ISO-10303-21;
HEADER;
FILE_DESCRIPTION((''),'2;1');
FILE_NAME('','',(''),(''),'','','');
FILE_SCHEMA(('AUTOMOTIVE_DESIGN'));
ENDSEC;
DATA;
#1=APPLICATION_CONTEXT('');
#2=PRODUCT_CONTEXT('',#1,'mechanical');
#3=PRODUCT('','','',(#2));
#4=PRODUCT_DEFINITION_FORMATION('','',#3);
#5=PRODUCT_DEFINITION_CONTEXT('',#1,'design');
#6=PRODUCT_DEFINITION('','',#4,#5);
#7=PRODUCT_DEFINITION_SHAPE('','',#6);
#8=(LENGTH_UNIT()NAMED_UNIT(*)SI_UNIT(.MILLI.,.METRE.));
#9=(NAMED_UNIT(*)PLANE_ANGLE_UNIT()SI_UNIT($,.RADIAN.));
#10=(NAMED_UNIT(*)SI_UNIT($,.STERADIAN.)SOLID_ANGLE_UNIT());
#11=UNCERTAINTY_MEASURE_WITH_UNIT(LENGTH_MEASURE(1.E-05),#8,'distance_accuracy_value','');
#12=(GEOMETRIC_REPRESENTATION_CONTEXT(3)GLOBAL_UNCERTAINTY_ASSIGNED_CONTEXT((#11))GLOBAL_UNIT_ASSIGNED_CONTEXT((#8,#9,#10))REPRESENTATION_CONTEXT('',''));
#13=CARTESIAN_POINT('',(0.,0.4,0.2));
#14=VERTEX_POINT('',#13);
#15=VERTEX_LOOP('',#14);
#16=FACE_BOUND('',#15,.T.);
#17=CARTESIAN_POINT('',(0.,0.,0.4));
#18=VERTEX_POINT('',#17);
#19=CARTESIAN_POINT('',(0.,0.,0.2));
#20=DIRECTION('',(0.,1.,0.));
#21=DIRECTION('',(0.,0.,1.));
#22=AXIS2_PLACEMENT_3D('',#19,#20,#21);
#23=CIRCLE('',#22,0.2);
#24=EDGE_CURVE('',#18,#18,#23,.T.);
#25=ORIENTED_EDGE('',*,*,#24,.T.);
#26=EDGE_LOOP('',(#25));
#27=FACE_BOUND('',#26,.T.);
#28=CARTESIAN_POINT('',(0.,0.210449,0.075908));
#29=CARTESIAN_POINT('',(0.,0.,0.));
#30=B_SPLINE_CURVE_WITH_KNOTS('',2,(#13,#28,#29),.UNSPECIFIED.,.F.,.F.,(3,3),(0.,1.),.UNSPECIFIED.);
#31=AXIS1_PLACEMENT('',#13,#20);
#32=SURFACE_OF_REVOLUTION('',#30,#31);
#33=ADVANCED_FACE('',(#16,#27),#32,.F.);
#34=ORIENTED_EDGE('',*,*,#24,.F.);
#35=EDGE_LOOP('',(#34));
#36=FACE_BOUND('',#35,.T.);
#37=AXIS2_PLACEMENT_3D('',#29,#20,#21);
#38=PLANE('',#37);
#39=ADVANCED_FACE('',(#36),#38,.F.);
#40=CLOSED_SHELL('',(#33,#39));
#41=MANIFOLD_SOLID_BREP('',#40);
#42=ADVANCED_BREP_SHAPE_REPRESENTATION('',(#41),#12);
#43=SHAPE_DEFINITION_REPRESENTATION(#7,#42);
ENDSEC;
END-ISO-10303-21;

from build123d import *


with BuildPart() as part:
    # 草图1 → 旋转1 (revolve)
    with BuildSketch(Plane(origin=(0, 0, 0), x_dir=(0, 0, -1), z_dir=(1, 0, 0))):
        with BuildLine():
            Line((-0.2, 0.4), (-0.2, 0))
            Line((-0.2, 0), (0, 0))
            add(Edge.make_bspline(
                [(-0.2, 0.4), (-0.075907971, 0.210448915), (0, 0)],
                knots=[0, 0, 0, 1, 1, 1], degree=2))
        make_face()
    revolve(axis=Axis((0, 0.4, 0.2), (0, -1, 0)))


solid = part.part
